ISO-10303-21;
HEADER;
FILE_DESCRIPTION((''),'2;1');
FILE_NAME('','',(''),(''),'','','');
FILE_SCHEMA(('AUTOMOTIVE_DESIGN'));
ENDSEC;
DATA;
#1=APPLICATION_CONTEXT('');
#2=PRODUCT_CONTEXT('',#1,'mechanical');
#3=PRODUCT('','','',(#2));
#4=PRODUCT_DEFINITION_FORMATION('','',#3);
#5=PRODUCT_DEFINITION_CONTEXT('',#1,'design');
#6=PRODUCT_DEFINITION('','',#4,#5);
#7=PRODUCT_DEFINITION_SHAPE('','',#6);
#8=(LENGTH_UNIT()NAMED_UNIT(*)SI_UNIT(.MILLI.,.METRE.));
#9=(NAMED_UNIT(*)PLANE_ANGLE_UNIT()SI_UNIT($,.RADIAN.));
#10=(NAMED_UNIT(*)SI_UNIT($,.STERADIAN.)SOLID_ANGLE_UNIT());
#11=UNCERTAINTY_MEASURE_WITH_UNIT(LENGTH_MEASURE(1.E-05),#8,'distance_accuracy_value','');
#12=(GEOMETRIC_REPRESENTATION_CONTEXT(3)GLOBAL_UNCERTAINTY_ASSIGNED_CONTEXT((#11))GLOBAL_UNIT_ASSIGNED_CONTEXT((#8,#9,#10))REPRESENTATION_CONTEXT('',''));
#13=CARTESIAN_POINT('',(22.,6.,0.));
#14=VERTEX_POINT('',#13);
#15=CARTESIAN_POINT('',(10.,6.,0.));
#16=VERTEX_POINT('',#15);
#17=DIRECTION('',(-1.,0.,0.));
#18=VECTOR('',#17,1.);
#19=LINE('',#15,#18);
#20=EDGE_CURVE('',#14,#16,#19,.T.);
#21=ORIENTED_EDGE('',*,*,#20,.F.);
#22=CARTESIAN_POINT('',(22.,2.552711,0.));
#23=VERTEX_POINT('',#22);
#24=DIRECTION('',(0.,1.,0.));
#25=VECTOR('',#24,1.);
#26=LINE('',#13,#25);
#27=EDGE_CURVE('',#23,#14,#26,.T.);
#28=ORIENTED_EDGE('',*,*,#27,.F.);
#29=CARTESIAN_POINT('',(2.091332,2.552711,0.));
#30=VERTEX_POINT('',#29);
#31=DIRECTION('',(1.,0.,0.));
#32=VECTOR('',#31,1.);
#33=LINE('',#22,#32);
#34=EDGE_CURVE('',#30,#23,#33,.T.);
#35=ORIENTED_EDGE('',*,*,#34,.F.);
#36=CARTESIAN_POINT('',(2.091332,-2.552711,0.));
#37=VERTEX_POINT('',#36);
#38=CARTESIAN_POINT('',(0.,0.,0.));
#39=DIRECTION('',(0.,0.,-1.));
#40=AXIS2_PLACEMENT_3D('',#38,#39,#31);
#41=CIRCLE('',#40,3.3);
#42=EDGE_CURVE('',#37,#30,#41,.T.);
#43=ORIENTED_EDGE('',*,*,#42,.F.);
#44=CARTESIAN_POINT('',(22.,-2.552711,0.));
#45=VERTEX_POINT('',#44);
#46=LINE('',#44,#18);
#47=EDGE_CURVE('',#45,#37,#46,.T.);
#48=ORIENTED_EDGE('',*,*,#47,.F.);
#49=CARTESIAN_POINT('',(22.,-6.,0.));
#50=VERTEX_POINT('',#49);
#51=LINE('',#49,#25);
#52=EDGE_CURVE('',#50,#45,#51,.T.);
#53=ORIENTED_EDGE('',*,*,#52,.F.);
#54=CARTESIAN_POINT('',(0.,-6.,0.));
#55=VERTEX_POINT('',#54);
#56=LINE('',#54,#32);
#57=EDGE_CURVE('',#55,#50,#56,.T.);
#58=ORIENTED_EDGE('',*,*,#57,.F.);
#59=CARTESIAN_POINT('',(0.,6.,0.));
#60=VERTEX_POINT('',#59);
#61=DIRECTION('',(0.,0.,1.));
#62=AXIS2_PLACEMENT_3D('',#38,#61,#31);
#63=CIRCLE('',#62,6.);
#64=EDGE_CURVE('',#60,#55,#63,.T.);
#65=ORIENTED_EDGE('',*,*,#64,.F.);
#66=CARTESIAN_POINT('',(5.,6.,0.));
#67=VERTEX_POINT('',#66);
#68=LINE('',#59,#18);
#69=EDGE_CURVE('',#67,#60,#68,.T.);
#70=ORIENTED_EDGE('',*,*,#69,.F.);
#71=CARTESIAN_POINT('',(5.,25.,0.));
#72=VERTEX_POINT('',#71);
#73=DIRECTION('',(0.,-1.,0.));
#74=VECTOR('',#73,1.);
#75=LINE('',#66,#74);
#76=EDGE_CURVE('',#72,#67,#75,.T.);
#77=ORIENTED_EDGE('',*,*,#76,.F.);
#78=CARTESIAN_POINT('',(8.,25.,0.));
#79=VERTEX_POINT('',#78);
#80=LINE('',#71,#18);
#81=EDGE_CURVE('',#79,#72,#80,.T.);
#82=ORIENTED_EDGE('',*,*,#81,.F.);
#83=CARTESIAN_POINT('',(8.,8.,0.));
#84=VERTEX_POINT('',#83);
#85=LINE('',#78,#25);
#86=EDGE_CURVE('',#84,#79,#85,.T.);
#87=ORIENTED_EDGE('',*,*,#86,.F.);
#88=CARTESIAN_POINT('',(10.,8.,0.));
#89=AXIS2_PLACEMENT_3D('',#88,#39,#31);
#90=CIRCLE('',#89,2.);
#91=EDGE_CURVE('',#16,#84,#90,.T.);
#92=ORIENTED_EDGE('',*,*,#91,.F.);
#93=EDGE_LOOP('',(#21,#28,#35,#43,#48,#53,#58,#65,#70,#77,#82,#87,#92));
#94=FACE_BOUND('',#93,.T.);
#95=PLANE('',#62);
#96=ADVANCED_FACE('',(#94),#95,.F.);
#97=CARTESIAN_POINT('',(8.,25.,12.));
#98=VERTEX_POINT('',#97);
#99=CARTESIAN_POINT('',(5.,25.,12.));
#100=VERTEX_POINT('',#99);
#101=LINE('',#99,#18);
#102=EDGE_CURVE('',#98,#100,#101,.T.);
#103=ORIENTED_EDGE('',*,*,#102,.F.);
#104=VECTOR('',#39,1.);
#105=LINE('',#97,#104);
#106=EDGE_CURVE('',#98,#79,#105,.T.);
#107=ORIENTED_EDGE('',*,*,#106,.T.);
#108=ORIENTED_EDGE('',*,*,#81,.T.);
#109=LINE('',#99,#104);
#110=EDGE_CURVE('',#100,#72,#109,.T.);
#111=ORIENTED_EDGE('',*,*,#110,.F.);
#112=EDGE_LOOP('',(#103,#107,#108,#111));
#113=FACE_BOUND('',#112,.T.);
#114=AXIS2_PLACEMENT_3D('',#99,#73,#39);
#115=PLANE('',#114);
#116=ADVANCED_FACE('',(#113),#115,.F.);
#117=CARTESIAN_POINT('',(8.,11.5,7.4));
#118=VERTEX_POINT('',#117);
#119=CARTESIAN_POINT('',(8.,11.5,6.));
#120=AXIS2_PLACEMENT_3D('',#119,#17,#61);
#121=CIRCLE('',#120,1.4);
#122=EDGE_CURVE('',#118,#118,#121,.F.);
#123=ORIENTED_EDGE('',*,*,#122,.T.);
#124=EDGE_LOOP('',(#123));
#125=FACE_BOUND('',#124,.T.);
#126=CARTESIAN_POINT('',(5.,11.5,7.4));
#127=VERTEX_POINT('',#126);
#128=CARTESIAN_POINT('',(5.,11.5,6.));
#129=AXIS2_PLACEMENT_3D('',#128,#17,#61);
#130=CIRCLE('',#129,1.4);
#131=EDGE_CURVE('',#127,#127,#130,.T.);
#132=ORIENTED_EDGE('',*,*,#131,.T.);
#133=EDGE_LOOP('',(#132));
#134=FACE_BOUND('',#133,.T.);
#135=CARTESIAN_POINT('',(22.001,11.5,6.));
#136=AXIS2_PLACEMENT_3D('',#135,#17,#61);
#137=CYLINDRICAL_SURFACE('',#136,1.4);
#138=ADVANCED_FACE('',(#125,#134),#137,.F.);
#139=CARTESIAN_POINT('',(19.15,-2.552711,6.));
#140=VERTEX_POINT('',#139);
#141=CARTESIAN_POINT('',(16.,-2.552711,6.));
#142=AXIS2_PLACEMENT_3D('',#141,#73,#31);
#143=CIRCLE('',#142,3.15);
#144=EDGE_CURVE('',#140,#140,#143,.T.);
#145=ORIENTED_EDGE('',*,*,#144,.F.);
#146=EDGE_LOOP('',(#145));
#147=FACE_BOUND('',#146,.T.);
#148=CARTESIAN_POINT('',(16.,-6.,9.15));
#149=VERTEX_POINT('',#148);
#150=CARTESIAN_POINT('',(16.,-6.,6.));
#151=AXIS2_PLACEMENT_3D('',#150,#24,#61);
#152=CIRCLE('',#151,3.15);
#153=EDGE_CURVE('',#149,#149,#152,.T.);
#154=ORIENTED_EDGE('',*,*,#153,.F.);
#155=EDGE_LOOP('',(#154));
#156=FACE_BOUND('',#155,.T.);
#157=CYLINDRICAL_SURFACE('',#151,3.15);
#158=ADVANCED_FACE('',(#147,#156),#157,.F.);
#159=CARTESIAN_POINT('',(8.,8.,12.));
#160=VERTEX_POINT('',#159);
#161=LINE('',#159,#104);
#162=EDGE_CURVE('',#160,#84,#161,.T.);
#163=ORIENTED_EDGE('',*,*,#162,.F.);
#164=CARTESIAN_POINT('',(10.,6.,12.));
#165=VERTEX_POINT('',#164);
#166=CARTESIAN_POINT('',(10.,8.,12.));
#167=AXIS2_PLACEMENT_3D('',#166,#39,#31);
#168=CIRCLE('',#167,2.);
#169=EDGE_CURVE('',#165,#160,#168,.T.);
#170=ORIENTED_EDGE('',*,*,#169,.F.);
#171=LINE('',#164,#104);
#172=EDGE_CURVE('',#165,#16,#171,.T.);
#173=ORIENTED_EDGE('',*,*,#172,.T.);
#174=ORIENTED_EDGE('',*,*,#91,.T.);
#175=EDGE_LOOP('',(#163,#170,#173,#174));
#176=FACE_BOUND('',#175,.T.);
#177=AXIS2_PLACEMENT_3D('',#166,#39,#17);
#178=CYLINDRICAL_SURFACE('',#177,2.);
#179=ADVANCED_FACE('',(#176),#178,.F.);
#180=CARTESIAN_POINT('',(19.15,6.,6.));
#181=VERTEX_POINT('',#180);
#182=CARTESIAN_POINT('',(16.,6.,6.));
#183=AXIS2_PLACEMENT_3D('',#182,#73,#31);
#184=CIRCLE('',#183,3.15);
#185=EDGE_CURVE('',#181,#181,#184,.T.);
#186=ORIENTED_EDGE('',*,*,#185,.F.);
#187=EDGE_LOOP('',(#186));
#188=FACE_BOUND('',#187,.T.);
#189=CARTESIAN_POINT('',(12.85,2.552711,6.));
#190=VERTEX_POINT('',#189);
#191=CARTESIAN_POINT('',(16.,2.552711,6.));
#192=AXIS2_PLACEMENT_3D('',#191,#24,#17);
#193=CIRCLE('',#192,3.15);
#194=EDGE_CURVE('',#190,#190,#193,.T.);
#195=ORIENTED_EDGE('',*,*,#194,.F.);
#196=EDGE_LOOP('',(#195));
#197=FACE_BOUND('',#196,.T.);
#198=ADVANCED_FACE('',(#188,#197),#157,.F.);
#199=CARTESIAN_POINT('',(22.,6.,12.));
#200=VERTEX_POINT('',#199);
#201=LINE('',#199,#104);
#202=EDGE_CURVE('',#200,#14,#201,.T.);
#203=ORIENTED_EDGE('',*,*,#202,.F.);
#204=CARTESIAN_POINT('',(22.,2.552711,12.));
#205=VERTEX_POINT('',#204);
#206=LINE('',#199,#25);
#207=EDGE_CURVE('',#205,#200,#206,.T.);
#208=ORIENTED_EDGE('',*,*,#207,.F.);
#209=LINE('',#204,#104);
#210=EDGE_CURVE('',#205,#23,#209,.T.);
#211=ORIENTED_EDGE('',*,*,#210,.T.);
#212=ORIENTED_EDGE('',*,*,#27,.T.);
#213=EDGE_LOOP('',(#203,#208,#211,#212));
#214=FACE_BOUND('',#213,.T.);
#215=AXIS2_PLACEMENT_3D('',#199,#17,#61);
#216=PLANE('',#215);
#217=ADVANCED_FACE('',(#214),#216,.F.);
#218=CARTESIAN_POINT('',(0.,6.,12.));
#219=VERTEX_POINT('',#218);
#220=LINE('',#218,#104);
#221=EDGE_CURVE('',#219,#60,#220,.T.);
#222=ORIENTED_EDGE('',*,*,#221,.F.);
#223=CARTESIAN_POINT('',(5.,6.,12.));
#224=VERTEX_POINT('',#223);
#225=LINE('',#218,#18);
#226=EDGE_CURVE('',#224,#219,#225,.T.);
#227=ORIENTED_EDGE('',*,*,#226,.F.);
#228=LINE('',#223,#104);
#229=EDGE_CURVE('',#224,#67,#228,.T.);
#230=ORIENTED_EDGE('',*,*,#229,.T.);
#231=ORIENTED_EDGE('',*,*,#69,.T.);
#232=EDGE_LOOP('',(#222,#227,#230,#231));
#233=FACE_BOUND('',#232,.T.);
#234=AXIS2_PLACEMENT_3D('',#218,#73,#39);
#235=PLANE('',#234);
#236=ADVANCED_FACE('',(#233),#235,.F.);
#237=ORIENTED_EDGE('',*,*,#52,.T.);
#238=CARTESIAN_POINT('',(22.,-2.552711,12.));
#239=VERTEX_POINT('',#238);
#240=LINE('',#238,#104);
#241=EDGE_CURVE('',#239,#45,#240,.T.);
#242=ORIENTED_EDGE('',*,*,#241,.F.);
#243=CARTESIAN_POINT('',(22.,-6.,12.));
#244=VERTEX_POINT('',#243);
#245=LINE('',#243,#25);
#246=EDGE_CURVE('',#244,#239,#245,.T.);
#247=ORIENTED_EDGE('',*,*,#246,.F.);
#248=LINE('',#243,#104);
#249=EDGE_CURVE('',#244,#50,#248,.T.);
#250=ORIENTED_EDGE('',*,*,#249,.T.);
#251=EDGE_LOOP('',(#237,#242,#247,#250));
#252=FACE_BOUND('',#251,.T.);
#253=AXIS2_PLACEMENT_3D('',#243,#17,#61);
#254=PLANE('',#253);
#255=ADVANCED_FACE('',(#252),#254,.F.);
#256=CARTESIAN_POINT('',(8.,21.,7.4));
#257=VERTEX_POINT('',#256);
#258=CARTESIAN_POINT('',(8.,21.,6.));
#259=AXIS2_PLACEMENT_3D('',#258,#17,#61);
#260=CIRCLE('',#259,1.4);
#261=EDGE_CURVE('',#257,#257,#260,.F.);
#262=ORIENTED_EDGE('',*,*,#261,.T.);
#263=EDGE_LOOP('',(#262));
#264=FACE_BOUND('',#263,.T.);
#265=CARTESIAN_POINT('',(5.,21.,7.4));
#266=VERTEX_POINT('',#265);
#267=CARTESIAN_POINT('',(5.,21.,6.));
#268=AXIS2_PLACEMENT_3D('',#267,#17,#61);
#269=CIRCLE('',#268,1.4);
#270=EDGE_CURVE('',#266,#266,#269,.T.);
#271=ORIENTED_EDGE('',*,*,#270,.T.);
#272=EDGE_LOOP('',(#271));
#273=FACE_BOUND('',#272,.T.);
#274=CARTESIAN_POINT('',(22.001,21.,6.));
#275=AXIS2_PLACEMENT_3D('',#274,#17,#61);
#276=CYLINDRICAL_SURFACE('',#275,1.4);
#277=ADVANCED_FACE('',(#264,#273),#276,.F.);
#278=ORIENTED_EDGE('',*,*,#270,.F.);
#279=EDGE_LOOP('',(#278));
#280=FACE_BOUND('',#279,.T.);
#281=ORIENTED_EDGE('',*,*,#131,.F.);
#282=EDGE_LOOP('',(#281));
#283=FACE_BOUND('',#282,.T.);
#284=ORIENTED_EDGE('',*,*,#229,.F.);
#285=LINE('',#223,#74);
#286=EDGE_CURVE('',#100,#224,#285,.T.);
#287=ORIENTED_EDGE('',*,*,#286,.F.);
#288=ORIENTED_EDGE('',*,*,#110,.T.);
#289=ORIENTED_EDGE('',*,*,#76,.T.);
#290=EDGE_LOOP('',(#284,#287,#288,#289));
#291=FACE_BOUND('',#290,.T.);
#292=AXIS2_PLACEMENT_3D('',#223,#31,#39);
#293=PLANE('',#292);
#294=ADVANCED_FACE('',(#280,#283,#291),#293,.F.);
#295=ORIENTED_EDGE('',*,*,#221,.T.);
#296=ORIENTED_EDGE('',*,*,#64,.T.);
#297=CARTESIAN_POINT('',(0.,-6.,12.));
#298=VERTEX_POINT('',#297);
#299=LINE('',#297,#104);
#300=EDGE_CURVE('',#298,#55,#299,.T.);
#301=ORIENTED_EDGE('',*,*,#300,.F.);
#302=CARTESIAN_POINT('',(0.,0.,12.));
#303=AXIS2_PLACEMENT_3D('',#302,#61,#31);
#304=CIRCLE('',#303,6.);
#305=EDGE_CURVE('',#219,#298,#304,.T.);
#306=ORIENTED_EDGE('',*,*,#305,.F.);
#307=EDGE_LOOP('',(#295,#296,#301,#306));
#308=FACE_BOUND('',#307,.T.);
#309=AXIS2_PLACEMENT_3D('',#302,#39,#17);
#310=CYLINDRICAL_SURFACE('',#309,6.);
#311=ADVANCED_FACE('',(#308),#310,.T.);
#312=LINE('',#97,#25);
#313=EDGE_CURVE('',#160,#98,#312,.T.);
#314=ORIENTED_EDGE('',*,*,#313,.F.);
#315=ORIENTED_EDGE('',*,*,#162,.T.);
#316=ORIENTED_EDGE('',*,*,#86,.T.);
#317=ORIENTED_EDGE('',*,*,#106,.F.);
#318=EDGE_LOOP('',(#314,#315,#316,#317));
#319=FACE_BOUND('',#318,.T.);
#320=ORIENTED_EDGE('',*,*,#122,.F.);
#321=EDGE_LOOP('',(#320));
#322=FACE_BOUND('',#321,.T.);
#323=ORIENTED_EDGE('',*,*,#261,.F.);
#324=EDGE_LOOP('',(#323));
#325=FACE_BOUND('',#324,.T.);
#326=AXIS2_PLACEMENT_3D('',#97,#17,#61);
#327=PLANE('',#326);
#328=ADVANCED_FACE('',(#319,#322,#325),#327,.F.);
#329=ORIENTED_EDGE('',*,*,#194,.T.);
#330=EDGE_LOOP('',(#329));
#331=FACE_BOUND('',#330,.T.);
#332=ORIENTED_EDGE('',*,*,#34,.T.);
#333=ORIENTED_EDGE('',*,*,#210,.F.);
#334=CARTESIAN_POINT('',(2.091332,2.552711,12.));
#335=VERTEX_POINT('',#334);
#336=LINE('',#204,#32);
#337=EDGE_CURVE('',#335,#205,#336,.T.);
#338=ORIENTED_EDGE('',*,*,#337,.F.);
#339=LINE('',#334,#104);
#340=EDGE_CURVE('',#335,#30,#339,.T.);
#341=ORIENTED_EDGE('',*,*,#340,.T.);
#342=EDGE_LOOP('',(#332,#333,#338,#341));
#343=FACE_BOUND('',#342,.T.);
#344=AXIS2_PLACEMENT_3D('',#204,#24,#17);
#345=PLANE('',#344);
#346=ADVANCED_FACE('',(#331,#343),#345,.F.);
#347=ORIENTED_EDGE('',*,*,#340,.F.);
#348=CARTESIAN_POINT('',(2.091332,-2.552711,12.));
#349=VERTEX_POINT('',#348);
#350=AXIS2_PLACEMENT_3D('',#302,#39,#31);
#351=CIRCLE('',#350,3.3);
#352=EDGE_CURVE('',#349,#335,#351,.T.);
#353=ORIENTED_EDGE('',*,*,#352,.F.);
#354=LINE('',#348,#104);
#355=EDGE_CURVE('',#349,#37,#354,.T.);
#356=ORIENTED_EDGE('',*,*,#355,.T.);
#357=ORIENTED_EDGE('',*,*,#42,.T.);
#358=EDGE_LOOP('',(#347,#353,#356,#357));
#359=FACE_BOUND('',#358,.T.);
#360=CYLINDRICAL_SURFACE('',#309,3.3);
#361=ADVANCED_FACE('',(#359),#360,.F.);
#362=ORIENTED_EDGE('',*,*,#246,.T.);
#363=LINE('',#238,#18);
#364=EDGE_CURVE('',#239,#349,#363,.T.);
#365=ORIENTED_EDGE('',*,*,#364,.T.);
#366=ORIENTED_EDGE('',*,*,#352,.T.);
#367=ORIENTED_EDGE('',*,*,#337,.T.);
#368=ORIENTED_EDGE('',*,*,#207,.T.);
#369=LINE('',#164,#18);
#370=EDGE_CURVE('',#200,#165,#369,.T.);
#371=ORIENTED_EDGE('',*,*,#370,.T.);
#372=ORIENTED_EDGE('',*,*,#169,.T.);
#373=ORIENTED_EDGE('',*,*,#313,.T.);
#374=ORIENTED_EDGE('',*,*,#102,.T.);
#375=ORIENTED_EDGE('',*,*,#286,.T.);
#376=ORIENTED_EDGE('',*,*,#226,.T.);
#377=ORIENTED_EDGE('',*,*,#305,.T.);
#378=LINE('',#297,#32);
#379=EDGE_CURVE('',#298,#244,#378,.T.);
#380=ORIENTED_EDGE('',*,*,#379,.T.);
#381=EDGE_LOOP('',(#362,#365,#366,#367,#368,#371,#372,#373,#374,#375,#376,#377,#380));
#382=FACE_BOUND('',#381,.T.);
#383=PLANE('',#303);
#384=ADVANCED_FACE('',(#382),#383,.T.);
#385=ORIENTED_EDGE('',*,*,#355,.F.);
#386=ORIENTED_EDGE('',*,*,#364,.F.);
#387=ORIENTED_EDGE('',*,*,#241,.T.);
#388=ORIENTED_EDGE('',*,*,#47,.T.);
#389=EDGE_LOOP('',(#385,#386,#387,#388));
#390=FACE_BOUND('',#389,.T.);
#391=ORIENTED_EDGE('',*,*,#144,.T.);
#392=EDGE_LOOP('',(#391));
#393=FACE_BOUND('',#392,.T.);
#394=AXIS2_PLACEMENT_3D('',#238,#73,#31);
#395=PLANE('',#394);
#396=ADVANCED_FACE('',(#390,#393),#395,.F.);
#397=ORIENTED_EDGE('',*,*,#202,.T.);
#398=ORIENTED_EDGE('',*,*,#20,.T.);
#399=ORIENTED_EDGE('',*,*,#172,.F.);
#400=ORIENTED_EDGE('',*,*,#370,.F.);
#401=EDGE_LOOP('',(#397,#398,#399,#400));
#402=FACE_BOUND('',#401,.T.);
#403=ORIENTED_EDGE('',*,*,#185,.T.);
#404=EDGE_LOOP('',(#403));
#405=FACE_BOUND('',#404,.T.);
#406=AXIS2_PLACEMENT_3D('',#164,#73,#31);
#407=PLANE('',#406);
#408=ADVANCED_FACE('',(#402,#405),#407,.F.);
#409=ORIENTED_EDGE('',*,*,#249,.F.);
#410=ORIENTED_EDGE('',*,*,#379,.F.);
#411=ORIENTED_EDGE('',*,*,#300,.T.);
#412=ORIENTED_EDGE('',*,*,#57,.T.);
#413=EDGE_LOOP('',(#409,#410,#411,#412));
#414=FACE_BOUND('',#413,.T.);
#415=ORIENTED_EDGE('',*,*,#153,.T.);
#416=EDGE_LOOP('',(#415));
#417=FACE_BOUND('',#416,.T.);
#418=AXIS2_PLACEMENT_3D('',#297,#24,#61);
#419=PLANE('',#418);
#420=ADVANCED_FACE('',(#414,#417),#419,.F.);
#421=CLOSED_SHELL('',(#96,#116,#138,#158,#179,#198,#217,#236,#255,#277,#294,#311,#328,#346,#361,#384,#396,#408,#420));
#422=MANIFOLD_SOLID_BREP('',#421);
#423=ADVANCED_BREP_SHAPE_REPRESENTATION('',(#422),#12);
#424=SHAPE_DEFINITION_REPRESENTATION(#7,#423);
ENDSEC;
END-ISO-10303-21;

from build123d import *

# Parameters (mm, degrees)
BOSS_EXTRUDE1_DEPTH     = 12
CUT_EXTRUDE1_DEPTH      = 36.397740041
CUT_EXTRUDE1_DEPTH_BACK = 36.397740041
SKETCH2_R               = 3.15
CUT_EXTRUDE2_REACH      = 34.527
SKETCH3_R               = 1.4


with BuildPart() as part:
    # Sketch1 → Boss-Extrude1 (new body)
    with BuildSketch(Plane.XY):
        with BuildLine():
            Line((10, 6), (22, 6))
            Line((22, 6), (22, 2.552710574))
            Line((22, 2.552710574), (2.091331807, 2.552710574))
            ThreePointArc((2.091331807, 2.552710574), (-3.3, 0), (2.091331807, -2.552710574))
            Line((2.091331807, -2.552710574), (22, -2.552710574))
            Line((22, -2.552710574), (22, -6))
            Line((22, -6), (0, -6))
            ThreePointArc((0, -6), (-6, 0), (0, 6))
            Line((0, 6), (5, 6))
            Line((5, 6), (5, 25))
            Line((5, 25), (8, 25))
            Line((8, 25), (8, 8))
            ThreePointArc((8, 8), (8.585786438, 6.585786438), (10, 6))
        make_face()
    extrude(amount=BOSS_EXTRUDE1_DEPTH)

    # Sketch2 → Cut-Extrude1 (cut, two sides: drawn at the far end of the back side and taken through both)
    with BuildSketch(Plane(origin=(0, 0, 0), x_dir=(1, 0, 0), z_dir=(0, 1, 0)).offset(-CUT_EXTRUDE1_DEPTH_BACK)):
        with Locations(Location((16, -6, 0), (0, 0, 270))):
            Circle(SKETCH2_R)
    extrude(amount=CUT_EXTRUDE1_DEPTH + CUT_EXTRUDE1_DEPTH_BACK, mode=Mode.SUBTRACT)

    # Sketch3 → Cut-Extrude2 (cut, up to next)
    with BuildSketch(Plane.ZY.offset(-5), mode=Mode.PRIVATE) as cut_extrude2_sk1:
        with Locations((6, 21)):
            Circle(SKETCH3_R)
    cut_extrude2_tool1 = extrude(cut_extrude2_sk1.sketch, amount=-CUT_EXTRUDE2_REACH, mode=Mode.PRIVATE) & part.part
    # Sketch3 → Cut-Extrude2 (cut, up to next)
    with BuildSketch(Plane.ZY.offset(-5), mode=Mode.PRIVATE) as cut_extrude2_sk2:
        with Locations((6, 11.5)):
            Circle(SKETCH3_R)
    cut_extrude2_tool2 = extrude(cut_extrude2_sk2.sketch, amount=-CUT_EXTRUDE2_REACH, mode=Mode.PRIVATE) & part.part
    add(cut_extrude2_tool1.solids().sort_by_distance((5, 21, 6))[0], mode=Mode.SUBTRACT)
    add(cut_extrude2_tool2.solids().sort_by_distance((5, 11.5, 6))[0], mode=Mode.SUBTRACT)


solid = part.part
